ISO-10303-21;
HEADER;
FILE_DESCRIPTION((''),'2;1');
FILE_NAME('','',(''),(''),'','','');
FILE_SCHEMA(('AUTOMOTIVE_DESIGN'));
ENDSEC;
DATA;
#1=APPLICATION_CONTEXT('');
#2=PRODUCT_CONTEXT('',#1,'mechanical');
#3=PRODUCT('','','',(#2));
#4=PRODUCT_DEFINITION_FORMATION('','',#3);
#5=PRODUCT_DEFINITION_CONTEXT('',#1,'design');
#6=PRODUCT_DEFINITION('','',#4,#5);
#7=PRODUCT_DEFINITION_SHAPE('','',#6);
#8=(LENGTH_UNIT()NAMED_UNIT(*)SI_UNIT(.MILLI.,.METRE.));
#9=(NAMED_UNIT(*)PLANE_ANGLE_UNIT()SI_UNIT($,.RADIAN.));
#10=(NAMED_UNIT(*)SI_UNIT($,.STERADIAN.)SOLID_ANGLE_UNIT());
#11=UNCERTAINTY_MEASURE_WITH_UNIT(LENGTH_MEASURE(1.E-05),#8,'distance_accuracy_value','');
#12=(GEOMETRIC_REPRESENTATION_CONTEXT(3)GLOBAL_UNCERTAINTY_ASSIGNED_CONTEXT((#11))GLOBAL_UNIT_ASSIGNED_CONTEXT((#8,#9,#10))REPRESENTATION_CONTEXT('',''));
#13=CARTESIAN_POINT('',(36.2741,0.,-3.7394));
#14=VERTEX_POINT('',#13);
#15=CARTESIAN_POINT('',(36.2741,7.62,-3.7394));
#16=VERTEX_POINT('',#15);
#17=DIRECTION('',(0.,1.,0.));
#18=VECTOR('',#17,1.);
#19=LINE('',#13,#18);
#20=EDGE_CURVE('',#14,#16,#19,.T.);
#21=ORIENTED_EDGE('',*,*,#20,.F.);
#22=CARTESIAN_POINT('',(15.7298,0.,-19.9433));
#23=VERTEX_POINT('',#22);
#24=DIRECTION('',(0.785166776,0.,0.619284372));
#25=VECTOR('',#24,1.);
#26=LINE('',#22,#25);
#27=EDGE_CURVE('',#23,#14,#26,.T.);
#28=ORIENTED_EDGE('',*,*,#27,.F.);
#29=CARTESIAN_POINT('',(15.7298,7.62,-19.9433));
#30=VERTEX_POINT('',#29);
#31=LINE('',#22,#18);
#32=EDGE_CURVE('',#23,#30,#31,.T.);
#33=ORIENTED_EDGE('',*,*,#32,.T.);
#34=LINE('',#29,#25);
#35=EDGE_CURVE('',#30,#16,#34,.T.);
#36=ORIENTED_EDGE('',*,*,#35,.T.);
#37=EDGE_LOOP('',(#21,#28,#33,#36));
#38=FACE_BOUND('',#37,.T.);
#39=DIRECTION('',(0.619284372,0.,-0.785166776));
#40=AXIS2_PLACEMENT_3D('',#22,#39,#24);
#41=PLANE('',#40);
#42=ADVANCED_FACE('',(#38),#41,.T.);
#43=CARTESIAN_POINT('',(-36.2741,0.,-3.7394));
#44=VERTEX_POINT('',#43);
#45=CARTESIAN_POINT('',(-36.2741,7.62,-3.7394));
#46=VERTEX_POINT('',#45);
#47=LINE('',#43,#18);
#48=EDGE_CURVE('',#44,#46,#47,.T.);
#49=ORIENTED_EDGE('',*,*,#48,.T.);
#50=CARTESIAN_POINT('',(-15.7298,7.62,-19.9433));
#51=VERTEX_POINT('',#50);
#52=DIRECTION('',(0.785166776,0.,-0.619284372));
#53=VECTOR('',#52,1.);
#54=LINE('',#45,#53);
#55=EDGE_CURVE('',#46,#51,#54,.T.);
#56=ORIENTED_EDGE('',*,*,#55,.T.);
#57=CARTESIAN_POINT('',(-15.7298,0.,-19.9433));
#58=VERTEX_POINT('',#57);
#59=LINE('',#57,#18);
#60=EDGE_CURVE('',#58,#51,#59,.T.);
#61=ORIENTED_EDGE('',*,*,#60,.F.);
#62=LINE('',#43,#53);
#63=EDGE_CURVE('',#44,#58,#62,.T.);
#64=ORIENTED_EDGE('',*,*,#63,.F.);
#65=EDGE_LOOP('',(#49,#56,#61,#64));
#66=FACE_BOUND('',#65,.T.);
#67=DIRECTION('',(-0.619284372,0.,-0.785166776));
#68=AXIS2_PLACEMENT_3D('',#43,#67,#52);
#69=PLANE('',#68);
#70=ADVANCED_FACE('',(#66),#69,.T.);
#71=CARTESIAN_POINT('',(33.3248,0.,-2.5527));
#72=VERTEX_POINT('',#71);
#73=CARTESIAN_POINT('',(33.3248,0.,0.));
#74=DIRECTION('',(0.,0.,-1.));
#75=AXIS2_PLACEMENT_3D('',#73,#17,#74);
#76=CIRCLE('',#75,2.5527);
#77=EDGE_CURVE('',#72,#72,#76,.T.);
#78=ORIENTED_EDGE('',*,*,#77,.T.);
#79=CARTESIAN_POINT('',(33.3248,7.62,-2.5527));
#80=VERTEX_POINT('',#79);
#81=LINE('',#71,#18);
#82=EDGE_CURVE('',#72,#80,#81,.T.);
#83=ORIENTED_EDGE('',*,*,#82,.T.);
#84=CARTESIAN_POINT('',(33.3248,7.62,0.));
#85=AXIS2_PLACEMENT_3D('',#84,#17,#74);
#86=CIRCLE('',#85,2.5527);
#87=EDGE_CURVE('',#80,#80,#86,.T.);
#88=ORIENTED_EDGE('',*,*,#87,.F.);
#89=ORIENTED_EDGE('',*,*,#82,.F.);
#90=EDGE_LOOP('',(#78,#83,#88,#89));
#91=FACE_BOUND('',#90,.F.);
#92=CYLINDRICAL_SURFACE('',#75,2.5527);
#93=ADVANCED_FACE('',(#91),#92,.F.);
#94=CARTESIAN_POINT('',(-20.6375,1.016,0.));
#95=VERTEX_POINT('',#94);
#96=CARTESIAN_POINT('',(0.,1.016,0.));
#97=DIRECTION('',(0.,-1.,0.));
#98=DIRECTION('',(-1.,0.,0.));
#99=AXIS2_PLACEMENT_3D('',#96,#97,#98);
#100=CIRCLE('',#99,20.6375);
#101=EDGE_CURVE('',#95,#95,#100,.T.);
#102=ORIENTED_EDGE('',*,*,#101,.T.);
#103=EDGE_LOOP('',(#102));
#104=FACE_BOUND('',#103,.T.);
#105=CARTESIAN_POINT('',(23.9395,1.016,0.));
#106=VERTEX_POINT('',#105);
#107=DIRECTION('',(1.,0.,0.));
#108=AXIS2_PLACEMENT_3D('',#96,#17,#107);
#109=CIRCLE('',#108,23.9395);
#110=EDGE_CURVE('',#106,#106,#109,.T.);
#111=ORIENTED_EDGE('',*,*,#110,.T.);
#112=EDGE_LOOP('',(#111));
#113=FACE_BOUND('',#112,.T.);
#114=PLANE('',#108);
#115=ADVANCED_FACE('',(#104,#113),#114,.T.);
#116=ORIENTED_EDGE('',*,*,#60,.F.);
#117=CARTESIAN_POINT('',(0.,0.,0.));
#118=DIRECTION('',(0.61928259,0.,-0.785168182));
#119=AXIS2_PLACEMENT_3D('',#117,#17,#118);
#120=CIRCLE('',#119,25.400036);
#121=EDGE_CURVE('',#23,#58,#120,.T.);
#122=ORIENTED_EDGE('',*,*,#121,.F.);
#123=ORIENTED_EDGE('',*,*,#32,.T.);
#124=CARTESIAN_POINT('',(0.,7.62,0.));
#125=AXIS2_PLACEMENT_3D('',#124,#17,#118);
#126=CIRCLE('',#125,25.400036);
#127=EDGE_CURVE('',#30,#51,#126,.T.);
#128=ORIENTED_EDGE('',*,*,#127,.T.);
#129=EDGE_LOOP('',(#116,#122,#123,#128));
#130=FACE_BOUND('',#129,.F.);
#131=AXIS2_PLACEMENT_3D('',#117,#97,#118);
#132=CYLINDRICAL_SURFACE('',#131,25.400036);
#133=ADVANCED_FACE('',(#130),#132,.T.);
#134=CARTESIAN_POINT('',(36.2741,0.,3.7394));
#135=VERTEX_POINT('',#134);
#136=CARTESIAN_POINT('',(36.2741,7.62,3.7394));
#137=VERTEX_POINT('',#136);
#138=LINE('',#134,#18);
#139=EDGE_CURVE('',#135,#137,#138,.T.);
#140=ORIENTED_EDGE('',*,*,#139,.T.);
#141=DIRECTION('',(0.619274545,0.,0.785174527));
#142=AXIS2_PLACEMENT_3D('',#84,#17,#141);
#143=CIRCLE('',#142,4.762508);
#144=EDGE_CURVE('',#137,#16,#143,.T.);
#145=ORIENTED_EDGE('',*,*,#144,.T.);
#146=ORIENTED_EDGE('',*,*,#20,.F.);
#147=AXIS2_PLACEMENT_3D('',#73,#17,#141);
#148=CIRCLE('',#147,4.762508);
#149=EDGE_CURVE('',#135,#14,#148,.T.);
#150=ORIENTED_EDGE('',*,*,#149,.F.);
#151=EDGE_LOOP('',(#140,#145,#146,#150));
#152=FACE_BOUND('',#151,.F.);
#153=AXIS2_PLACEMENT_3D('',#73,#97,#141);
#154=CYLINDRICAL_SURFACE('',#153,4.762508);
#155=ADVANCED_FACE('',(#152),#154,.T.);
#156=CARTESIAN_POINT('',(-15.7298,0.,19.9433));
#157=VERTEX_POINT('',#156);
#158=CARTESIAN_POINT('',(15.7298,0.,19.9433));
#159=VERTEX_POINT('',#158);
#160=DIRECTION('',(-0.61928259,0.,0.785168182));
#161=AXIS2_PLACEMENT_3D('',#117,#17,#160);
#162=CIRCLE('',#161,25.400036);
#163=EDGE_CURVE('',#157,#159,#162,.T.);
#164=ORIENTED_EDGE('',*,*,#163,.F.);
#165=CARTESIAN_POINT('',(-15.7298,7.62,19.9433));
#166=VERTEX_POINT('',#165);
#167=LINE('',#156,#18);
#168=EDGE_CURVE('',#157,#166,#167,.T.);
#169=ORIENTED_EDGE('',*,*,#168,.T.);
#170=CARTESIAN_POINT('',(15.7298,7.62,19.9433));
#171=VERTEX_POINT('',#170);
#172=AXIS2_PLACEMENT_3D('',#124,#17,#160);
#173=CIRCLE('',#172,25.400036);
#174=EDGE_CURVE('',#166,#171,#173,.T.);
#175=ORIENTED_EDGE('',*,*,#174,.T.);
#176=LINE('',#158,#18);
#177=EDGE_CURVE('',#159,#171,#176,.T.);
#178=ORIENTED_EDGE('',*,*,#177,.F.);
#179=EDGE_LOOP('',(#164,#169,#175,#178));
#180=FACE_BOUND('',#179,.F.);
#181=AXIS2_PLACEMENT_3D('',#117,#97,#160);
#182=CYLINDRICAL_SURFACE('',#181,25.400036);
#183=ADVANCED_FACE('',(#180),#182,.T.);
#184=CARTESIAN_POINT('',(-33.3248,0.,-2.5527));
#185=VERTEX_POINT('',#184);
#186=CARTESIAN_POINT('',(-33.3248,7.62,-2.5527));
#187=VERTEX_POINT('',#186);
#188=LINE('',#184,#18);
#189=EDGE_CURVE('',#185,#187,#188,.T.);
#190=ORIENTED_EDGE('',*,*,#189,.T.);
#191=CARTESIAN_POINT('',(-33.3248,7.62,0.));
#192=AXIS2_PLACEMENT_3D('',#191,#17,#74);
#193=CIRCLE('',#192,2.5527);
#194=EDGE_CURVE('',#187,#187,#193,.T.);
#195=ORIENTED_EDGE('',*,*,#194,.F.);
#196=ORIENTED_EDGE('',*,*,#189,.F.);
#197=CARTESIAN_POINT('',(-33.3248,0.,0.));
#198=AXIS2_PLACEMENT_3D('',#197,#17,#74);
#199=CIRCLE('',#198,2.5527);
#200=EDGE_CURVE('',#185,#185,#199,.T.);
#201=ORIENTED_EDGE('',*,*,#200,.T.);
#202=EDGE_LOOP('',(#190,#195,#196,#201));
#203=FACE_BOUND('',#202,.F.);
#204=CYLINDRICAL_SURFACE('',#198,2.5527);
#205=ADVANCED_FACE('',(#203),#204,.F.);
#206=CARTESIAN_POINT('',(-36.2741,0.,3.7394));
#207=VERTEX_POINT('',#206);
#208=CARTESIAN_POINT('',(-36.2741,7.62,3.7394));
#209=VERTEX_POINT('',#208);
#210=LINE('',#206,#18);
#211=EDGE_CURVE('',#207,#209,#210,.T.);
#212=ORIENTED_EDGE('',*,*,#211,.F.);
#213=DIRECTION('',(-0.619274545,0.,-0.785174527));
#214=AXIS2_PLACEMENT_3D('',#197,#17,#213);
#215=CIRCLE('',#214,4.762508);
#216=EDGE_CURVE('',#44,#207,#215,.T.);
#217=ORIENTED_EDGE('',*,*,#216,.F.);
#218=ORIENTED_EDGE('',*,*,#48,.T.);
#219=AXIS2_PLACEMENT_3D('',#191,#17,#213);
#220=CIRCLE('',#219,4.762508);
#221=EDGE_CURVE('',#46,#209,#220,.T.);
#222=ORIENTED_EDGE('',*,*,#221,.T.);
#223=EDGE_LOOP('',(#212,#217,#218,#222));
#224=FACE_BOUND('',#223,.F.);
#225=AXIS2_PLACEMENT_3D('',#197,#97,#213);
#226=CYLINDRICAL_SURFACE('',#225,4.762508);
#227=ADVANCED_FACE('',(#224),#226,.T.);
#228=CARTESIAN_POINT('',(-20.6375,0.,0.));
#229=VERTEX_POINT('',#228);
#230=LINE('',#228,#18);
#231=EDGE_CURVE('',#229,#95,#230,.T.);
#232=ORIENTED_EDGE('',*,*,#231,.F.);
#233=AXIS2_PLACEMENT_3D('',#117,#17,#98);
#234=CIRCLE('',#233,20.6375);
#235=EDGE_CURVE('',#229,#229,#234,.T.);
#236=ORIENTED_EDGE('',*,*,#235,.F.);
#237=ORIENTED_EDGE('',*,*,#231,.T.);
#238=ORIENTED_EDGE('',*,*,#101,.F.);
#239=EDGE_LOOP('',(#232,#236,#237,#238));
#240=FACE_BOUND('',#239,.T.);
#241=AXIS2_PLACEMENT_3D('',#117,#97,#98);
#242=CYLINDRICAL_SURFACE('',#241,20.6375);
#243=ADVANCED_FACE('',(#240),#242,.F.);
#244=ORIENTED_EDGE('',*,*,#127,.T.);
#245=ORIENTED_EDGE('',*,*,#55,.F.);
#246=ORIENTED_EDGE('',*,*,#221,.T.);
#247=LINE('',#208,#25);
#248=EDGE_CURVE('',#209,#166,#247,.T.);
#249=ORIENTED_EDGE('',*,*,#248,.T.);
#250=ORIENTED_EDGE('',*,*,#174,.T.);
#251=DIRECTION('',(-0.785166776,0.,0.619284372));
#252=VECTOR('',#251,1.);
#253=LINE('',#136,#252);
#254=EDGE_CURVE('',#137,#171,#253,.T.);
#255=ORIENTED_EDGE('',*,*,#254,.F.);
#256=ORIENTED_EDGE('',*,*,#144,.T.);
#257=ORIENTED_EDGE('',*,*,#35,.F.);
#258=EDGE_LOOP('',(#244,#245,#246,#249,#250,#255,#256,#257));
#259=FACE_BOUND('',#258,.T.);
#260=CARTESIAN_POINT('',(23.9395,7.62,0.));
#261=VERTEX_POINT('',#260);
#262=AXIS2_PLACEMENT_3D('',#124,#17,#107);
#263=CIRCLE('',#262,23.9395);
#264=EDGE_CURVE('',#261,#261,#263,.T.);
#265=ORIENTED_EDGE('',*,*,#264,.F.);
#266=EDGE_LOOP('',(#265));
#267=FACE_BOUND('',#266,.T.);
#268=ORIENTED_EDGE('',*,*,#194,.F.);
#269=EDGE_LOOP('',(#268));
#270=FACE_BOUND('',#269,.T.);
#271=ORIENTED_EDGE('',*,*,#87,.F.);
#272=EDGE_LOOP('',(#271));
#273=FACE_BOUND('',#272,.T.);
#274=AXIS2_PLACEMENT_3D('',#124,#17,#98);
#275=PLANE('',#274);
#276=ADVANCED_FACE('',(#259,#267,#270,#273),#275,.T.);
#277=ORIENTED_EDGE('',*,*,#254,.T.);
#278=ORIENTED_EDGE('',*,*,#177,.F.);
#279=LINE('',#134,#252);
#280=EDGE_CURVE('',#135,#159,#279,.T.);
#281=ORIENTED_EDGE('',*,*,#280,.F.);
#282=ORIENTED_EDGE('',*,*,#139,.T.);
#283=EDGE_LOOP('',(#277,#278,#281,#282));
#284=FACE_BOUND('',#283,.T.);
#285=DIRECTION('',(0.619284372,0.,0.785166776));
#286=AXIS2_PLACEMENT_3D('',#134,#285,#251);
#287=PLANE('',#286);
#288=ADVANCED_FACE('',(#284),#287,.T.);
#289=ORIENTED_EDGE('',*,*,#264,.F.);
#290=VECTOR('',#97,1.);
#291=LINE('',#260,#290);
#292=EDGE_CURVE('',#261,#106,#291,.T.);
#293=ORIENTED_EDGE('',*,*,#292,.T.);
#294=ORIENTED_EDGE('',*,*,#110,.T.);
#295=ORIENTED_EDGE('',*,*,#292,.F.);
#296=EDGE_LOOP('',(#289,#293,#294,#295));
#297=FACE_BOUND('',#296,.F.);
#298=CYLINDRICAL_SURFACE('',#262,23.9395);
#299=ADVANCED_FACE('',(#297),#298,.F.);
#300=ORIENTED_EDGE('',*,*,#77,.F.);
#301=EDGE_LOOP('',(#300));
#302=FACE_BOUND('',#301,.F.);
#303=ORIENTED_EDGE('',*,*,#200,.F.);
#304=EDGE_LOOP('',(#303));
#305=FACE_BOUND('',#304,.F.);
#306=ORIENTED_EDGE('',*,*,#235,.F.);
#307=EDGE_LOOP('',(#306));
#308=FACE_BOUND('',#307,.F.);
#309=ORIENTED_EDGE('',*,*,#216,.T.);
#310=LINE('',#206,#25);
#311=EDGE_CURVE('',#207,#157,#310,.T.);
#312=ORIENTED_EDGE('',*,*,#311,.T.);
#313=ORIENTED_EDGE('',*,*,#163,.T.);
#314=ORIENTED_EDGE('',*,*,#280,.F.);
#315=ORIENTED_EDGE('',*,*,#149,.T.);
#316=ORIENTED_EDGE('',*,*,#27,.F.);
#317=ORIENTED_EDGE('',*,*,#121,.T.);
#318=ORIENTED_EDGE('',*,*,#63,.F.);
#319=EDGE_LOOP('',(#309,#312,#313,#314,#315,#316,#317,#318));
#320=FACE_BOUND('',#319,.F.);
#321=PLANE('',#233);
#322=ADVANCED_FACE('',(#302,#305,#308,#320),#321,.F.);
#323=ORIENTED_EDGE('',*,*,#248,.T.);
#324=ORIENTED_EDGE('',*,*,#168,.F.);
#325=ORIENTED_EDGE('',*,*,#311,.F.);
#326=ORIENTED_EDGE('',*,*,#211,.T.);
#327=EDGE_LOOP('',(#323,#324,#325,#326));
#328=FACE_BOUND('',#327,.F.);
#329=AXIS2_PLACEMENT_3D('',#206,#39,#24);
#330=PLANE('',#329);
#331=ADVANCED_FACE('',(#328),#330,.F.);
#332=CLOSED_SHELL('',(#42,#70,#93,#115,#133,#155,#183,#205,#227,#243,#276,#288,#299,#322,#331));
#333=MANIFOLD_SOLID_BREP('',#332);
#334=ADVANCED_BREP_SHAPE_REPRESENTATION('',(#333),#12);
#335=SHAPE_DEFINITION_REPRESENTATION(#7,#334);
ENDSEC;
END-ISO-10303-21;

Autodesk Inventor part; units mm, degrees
ref_plane "YZ Plane" through (0, 0, 0) normal (1, 0, 0) x (0, 1, 0)
ref_plane "XZ Plane" through (0, 0, 0) normal (0, 1, 0) x (-1, 0, 0)
ref_plane "XY Plane" through (0, 0, 0) normal (0, 0, 1) x (1, 0, 0)
sketch "Sketch1" plane through (0, 0, 0) normal (0, 1, 0) x (-1, 0, 0)
  circle A0 centre (0, 0) radius 23.8125 construction
  line L0 (33.3248, 0) -> (-33.3248, 0) construction
  circle A1 centre (33.3248, 0) radius 4.7625 construction
  circle A2 centre (-33.3248, 0) radius 4.7625 construction
  circle A3 centre (0, 0) radius 20.6375
  circle A4 centre (0, 0) radius 25.4 construction
  line L1 (36.2741, 3.7394) -> (15.7298, 19.9433)
  line L2 (36.2741, -3.7394) -> (15.7298, -19.9433)
  line L3 (-15.7298, -19.9433) -> (-36.2741, -3.7394)
  line L4 (-36.2741, 3.7394) -> (-15.7298, 19.9433)
  arc A5 (15.7298, 19.9433) -> (-15.7298, 19.9433) centre (0, 0) ccw
  arc A6 (-15.7298, -19.9433) -> (15.7298, -19.9433) centre (0, 0) ccw
  arc A7 (36.2741, -3.7394) -> (36.2741, 3.7394) centre (33.3248, 0) ccw
  arc A8 (-36.2741, 3.7394) -> (-36.2741, -3.7394) centre (-33.3248, 0) ccw
  point P0 (-36.2741, -3.7394)
  dimension "d0" = 47.625
  dimension "d1" = 33.3248
  dimension "d2" = 9.525
  dimension "d3" = 3.175
  dimension "d4" = 1.5875
extrude "Extrusion1" add sketch "Sketch1" along normal blind 7.62
sketch "Sketch2" plane through (0, 7.62, 0) normal (0, 1, 0) x (1, 0, 0)
  circle A0 centre (0, 0) radius 23.9395
  dimension "d7" = 47.879
extrude "Extrusion2" cut sketch "Sketch2" against normal blind 6.604
hole "Hole1" at (-33.3248, 0, 0) at (33.3248, 0, 0) direction (0, 1, 0) diameter 5.1054 end through all clearance for "Flat Head Machine Screw (82)" size "#10" standard "Ansi Unified Screw Threads"
properties part number "EL2-CGB-008" material "Aluminum 6061"
